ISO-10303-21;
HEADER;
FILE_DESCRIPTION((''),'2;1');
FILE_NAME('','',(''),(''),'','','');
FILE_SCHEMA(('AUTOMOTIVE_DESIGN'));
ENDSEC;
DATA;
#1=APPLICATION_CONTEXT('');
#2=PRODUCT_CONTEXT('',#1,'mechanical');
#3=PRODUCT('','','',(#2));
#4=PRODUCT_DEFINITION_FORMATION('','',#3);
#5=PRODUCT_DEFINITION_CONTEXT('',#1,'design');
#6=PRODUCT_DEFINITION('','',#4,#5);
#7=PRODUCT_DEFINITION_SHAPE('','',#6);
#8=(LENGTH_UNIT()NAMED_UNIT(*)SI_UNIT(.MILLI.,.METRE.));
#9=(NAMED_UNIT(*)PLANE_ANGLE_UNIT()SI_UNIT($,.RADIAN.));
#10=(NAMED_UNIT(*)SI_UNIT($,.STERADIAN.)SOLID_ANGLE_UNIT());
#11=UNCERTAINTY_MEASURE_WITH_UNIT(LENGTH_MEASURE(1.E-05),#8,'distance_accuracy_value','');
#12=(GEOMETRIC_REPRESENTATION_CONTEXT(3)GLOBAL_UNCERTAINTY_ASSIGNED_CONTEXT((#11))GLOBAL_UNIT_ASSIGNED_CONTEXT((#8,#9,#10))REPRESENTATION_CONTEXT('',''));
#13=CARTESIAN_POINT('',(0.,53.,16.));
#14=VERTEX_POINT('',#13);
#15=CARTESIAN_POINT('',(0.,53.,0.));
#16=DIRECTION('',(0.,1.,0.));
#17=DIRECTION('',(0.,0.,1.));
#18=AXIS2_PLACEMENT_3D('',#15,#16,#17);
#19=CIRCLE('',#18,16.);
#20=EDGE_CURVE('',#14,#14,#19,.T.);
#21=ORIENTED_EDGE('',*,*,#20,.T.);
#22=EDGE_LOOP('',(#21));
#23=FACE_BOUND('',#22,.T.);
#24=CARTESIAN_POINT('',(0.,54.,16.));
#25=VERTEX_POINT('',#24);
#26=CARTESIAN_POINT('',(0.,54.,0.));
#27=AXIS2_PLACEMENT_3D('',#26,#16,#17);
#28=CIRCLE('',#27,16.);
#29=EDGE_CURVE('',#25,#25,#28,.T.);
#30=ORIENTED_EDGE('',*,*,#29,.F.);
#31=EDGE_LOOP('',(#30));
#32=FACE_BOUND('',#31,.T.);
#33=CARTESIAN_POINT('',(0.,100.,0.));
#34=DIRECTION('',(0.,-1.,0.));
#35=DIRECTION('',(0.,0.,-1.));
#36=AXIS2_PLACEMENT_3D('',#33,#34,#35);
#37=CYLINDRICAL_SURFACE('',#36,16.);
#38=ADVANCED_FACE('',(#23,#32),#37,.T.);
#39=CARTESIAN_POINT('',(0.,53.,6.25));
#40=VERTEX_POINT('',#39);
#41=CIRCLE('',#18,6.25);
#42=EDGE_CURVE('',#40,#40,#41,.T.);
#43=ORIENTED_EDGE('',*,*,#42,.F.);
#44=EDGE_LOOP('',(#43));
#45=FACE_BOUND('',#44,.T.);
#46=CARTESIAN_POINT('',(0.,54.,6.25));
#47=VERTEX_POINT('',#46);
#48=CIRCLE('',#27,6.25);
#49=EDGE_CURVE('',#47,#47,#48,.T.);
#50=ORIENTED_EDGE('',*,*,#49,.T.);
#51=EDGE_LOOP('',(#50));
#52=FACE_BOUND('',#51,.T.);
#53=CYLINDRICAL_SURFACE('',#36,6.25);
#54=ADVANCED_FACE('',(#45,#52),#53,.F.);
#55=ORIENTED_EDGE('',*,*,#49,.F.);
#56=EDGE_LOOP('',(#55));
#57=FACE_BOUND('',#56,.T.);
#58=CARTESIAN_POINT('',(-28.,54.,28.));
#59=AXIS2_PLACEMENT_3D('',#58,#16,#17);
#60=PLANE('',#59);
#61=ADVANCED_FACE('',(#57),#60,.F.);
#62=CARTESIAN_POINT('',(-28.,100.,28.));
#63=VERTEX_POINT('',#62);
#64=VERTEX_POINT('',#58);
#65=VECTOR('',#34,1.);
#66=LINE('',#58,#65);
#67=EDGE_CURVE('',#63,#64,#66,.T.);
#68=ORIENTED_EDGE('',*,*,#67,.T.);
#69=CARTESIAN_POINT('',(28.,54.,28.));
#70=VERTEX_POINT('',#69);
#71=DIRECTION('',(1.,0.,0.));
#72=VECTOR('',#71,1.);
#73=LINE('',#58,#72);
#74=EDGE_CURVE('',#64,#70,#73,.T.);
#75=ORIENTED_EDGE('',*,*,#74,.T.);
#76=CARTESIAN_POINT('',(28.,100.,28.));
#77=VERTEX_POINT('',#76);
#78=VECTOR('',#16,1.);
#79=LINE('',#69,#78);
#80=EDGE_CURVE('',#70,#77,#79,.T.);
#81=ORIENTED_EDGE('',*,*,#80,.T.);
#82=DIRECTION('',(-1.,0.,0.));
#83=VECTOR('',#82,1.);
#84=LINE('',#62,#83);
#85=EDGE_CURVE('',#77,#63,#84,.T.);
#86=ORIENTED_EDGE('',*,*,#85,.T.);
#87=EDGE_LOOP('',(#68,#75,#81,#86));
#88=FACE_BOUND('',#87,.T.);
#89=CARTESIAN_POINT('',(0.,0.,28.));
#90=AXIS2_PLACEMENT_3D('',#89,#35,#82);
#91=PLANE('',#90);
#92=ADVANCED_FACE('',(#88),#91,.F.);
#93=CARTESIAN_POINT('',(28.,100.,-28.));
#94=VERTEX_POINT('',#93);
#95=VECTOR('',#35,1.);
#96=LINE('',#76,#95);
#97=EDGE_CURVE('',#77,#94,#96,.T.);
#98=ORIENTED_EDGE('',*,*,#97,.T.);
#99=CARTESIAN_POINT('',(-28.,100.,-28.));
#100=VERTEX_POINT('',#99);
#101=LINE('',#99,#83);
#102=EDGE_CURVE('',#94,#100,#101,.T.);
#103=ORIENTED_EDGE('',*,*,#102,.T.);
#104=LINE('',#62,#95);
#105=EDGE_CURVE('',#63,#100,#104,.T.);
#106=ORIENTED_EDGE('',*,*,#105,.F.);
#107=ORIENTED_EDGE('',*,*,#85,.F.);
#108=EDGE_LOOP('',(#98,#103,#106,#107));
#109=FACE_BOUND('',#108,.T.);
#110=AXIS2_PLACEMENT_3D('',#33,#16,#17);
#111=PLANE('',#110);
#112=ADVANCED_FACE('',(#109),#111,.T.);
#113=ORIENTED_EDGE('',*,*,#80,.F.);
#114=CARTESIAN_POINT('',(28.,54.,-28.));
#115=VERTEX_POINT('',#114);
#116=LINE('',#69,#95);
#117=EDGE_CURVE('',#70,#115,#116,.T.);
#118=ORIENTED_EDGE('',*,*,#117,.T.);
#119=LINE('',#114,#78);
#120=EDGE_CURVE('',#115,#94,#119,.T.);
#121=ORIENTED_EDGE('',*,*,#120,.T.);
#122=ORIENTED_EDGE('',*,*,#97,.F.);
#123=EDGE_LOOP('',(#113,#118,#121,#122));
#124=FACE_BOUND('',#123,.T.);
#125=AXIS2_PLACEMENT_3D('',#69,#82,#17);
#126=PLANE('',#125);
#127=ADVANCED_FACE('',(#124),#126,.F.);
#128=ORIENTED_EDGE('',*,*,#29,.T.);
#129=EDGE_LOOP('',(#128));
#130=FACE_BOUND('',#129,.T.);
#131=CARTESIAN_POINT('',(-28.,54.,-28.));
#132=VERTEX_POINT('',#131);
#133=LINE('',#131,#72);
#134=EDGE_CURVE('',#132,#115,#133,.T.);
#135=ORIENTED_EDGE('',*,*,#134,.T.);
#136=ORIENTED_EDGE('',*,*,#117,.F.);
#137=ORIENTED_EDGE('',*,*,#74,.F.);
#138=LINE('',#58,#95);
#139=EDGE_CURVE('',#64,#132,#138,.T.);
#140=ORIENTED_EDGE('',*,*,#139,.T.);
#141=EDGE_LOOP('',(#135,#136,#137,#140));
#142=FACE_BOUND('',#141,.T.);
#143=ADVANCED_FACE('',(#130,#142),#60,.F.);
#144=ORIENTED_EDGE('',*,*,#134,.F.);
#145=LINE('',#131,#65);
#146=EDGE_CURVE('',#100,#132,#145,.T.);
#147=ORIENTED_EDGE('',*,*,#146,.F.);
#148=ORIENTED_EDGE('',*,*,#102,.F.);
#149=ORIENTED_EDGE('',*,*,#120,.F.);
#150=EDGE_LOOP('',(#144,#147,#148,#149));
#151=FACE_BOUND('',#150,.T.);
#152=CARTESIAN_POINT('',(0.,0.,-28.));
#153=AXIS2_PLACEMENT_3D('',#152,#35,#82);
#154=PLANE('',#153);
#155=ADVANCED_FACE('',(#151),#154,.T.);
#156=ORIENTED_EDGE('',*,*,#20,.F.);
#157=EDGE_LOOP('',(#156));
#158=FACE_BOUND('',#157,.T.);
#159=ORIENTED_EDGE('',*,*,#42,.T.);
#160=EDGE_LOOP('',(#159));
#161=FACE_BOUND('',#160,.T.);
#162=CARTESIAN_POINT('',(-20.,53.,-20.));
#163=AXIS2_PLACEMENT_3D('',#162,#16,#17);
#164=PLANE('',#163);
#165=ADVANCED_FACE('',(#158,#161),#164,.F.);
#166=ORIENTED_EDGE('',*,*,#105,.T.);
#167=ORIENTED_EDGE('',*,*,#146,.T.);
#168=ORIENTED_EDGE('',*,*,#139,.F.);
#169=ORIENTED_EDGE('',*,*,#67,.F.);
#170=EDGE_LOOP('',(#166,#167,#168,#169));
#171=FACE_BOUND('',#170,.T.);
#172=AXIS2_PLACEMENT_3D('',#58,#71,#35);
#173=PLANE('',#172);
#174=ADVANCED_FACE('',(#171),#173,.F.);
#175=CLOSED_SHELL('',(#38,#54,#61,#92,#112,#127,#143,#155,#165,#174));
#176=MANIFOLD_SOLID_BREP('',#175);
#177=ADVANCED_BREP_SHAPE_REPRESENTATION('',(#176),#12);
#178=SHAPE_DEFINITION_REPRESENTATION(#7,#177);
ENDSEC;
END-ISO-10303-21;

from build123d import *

# Parameters (mm, degrees)
SKETCH1_R           = 16
SKETCH1_R_2         = 6.25
BOSS_EXTRUDE1_DEPTH = 100
SKETCH2_W           = 40
SKETCH2_H           = 55
CUT_EXTRUDE1_DEPTH  = 20
SKETCH3_W           = 56
SKETCH3_H           = 46
BOSS_EXTRUDE2_DEPTH = 28
SKETCH4_R           = 8
BOSS_EXTRUDE3_DEPTH = 26


with BuildPart() as part:
    # Sketch1 → Boss-Extrude1 (new body)
    with BuildSketch(Plane(origin=(0, 0, 0), x_dir=(1, 0, 0), z_dir=(0, 1, 0))):
        with Locations(Location((0, 0, 0), (0, 0, 270))):
            Circle(SKETCH1_R)
        with Locations(Location((0, 0, 0), (0, 0, 270))):
            Circle(SKETCH1_R_2, mode=Mode.SUBTRACT)
    extrude(amount=BOSS_EXTRUDE1_DEPTH)

    # Sketch2 → Cut-Extrude1 (cut, symmetric)
    with BuildSketch(Plane.XY):
        with Locations((0, 25.5)):
            Rectangle(SKETCH2_W, SKETCH2_H)
    extrude(amount=CUT_EXTRUDE1_DEPTH, both=True, mode=Mode.SUBTRACT)

    # Sketch3 → Boss-Extrude2 (add, symmetric)
    with BuildSketch(Plane.XY):
        with Locations((0, 77)):
            Rectangle(SKETCH3_W, SKETCH3_H)
    extrude(amount=BOSS_EXTRUDE2_DEPTH, both=True)

    # Sketch4 → Boss-Extrude3 (add, symmetric)
    with BuildSketch(Plane.XY):
        with Locations((0, 76)):
            Circle(SKETCH4_R)
    extrude(amount=BOSS_EXTRUDE3_DEPTH, both=True)


solid = part.part
